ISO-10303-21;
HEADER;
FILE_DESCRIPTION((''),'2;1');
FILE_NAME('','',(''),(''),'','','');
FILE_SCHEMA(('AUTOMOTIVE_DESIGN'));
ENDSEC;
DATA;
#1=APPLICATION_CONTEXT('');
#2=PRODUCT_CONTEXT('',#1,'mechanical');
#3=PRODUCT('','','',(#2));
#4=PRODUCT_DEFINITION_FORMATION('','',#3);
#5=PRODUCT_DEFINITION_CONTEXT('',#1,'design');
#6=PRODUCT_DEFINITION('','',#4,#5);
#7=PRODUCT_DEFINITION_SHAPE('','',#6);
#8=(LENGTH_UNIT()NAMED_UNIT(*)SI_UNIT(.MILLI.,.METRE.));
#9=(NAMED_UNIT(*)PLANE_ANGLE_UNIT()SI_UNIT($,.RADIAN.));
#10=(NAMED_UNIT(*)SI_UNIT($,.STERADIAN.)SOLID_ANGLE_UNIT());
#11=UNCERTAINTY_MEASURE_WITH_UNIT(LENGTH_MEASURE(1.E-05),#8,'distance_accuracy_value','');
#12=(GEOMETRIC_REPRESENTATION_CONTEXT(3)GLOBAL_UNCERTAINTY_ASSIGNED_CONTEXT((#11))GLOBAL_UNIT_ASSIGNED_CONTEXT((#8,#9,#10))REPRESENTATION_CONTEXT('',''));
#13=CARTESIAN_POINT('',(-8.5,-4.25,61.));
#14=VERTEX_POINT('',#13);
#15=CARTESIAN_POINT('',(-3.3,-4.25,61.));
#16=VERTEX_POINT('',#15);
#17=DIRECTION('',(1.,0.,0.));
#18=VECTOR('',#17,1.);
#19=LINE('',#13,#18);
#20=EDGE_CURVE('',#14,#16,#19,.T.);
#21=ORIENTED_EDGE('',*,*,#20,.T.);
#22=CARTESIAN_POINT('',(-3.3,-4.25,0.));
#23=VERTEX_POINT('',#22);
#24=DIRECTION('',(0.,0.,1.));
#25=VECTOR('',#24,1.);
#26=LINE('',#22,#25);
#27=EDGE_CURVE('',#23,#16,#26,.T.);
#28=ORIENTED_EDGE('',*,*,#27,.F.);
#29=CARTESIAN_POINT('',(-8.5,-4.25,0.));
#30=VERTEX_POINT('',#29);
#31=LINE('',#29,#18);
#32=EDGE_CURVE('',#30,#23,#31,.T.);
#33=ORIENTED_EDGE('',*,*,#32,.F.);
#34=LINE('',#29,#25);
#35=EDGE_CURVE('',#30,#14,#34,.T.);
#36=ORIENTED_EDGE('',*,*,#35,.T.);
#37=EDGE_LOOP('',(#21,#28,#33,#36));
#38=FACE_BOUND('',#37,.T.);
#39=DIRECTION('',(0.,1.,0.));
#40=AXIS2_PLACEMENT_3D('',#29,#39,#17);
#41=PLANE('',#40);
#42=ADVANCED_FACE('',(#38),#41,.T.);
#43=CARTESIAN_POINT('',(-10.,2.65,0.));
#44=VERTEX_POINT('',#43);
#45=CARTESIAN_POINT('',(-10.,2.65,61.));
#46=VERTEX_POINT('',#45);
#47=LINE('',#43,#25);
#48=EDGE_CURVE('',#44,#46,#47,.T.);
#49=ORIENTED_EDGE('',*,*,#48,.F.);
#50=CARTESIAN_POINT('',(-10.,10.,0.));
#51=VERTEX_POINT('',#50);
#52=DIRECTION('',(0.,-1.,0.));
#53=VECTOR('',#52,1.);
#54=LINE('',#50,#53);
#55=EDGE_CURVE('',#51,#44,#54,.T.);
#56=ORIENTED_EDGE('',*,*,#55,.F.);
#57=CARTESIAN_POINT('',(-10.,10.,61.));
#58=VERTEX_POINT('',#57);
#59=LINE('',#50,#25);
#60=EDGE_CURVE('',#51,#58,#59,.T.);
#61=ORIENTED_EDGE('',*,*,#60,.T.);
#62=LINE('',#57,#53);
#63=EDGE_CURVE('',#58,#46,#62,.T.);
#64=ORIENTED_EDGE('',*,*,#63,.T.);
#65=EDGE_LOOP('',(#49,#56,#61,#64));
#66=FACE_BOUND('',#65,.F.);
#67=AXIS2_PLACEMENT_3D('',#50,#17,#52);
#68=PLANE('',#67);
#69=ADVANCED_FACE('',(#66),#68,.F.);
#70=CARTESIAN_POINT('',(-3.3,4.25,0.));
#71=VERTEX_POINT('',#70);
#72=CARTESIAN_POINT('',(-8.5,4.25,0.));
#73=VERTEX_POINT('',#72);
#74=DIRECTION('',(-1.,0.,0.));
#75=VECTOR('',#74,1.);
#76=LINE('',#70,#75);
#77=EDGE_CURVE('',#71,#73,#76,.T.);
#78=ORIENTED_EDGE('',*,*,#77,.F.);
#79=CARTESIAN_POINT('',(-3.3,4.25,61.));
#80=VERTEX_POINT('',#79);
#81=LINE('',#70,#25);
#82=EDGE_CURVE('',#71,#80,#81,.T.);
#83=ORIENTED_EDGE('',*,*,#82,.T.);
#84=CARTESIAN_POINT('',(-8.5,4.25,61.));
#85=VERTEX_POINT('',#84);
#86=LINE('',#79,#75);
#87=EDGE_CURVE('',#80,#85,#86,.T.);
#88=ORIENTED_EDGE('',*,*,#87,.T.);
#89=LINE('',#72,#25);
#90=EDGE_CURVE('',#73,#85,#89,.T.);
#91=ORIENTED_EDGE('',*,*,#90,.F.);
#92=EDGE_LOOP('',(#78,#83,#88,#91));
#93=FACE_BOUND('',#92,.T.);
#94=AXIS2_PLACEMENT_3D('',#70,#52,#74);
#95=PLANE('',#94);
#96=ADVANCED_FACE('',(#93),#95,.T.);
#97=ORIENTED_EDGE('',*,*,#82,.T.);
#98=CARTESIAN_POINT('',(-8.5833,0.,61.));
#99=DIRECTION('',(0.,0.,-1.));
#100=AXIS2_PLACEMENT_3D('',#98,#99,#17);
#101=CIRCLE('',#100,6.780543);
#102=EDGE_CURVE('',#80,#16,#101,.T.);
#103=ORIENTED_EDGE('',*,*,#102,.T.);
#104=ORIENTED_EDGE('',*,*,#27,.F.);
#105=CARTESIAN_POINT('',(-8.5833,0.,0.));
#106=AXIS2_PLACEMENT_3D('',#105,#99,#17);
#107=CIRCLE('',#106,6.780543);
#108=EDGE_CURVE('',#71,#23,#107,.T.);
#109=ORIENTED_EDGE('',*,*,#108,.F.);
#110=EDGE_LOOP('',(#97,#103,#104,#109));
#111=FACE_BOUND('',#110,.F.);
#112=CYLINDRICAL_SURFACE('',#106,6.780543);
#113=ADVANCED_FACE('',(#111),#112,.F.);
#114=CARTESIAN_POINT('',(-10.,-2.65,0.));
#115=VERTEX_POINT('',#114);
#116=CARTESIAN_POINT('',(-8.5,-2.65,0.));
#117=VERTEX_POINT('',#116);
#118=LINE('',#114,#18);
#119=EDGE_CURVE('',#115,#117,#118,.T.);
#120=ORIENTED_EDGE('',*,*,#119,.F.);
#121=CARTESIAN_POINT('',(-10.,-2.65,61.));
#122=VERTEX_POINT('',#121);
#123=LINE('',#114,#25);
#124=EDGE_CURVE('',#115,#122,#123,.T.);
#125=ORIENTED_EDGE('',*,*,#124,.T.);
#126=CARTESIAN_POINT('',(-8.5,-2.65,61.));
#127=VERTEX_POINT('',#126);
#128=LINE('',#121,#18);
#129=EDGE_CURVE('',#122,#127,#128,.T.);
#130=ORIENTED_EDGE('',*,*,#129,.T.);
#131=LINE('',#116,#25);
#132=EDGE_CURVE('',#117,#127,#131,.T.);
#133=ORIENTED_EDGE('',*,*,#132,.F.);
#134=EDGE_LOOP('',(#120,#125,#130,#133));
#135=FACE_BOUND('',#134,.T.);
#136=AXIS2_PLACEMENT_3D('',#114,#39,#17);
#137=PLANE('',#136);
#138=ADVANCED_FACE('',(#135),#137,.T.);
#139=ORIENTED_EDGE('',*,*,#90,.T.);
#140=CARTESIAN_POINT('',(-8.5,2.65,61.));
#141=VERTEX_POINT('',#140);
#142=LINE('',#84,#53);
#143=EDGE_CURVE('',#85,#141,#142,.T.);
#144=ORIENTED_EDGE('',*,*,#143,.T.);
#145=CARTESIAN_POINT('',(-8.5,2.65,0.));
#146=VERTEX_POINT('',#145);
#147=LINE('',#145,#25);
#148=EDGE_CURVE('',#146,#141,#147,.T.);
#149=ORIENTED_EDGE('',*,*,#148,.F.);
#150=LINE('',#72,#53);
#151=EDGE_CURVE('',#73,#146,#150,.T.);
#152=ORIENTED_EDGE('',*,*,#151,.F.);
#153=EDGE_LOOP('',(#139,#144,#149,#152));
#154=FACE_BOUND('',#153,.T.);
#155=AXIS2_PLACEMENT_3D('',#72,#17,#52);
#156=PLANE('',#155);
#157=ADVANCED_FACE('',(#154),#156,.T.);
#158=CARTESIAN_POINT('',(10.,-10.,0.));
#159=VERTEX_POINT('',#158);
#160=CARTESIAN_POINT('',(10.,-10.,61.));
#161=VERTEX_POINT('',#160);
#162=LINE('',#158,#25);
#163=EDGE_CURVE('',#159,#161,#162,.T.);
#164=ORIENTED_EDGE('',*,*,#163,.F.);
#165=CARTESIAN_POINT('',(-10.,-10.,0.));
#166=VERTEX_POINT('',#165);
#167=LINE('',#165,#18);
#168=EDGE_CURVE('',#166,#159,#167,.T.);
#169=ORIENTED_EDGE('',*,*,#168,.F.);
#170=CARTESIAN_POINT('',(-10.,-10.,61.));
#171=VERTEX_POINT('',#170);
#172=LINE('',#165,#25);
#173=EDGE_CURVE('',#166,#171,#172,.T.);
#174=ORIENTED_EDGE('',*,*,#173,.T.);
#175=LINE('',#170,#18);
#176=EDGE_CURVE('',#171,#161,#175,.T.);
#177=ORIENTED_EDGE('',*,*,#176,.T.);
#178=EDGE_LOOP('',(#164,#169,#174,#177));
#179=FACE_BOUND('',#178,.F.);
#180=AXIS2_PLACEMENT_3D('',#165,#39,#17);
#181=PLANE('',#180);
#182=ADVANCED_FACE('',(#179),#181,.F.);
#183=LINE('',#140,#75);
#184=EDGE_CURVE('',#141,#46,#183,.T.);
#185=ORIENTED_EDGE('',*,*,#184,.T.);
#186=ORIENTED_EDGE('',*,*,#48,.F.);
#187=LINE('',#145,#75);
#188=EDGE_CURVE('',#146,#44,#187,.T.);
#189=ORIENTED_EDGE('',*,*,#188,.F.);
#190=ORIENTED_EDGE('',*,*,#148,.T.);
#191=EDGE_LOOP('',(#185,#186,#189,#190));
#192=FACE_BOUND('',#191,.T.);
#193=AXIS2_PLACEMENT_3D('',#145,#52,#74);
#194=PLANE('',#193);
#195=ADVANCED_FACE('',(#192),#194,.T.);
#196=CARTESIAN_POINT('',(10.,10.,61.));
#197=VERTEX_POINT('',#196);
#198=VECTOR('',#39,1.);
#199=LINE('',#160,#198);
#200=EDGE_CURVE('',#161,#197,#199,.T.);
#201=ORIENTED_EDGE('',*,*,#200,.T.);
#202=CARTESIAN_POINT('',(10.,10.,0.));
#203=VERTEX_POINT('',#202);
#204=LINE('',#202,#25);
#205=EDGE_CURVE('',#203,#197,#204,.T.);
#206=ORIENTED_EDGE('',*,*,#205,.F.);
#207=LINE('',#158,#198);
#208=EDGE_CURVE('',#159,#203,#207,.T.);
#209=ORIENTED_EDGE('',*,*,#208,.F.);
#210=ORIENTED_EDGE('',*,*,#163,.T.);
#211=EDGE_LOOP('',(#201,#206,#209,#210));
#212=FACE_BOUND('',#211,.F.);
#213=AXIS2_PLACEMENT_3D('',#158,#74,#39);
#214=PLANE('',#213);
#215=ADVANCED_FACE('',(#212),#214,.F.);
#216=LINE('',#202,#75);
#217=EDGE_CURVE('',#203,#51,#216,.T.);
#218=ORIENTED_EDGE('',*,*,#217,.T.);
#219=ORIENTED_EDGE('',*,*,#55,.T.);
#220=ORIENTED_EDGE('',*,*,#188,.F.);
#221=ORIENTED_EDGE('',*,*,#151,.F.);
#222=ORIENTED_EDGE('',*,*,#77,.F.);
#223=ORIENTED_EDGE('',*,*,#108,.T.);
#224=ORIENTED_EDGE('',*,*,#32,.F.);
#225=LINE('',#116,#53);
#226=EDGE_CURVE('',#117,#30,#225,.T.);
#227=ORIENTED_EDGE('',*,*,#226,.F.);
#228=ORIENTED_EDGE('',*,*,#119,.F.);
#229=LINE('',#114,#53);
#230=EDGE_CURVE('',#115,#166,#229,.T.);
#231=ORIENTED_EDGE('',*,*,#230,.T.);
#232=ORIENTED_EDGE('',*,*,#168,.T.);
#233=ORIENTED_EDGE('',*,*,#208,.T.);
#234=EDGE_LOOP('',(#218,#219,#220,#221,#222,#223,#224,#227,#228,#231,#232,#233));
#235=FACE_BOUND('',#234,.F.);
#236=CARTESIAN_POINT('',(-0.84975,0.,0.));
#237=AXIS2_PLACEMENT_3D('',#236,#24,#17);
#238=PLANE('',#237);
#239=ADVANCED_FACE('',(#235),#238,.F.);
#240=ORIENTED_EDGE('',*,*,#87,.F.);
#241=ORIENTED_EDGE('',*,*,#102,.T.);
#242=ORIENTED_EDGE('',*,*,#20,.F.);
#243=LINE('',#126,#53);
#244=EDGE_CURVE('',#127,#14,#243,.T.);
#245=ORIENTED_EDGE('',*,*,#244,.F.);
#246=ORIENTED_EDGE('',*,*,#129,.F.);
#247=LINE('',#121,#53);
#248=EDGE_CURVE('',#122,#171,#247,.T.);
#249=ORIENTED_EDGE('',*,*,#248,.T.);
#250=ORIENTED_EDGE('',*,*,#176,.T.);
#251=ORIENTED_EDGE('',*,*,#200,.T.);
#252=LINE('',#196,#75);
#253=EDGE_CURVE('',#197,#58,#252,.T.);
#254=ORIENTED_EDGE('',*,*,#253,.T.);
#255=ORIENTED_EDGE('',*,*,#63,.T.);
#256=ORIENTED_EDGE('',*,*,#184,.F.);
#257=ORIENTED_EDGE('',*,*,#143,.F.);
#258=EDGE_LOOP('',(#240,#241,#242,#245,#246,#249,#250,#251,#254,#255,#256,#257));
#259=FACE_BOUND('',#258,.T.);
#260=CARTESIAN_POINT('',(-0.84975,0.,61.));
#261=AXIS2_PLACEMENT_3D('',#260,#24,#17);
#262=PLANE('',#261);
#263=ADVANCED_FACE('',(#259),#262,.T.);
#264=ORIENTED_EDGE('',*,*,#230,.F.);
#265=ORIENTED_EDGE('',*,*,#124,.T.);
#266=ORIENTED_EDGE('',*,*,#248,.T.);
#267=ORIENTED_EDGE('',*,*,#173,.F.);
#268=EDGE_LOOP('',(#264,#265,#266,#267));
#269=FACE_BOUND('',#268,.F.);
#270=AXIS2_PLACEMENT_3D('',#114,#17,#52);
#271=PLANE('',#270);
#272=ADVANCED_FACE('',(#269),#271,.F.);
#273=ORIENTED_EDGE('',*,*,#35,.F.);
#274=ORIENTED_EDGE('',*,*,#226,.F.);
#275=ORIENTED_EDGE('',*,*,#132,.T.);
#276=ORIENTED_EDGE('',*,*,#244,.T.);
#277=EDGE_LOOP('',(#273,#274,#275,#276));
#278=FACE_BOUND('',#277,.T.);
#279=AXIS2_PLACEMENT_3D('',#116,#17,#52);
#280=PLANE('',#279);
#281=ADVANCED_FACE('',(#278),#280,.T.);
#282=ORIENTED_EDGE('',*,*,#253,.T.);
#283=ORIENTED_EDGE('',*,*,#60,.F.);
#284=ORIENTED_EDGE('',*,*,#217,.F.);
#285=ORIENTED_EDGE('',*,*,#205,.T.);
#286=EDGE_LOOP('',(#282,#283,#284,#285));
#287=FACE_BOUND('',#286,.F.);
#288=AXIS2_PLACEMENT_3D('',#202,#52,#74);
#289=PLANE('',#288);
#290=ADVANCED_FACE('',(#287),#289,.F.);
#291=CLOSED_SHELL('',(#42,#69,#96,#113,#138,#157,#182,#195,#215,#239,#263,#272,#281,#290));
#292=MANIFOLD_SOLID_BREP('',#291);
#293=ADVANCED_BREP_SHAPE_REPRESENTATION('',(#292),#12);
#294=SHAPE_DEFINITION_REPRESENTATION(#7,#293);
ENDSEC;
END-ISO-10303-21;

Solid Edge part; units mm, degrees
sketch "Sketch1" plane through (0, 0, 0) normal (0, 0, 1) x (1, 0, 0)
  line L0 (-10, -10) -> (10, -10)
  line L1 (10, -10) -> (10, 10)
  line L2 (10, 10) -> (-10, 10)
  line L3 (-10, 10) -> (-10, 2.65)
  line L4 (-8.5, 2.65) -> (-10, 2.65)
  line L5 (-8.5, 4.25) -> (-8.5, 2.65)
  line L6 (-3.3, 4.25) -> (-8.5, 4.25)
  arc A0 (-3.3, 4.25) -> (-3.3, -4.25) centre (-8.5833, 0) cw
  line L7 (-8.5, -4.25) -> (-3.3, -4.25)
  line L8 (-8.5, -2.65) -> (-8.5, -4.25)
  line L9 (-10, -2.65) -> (-8.5, -2.65)
  line L10 (-10, -2.65) -> (-10, -10)
extrude "Protrusion1" add sketch "Sketch1" along normal blind 61
